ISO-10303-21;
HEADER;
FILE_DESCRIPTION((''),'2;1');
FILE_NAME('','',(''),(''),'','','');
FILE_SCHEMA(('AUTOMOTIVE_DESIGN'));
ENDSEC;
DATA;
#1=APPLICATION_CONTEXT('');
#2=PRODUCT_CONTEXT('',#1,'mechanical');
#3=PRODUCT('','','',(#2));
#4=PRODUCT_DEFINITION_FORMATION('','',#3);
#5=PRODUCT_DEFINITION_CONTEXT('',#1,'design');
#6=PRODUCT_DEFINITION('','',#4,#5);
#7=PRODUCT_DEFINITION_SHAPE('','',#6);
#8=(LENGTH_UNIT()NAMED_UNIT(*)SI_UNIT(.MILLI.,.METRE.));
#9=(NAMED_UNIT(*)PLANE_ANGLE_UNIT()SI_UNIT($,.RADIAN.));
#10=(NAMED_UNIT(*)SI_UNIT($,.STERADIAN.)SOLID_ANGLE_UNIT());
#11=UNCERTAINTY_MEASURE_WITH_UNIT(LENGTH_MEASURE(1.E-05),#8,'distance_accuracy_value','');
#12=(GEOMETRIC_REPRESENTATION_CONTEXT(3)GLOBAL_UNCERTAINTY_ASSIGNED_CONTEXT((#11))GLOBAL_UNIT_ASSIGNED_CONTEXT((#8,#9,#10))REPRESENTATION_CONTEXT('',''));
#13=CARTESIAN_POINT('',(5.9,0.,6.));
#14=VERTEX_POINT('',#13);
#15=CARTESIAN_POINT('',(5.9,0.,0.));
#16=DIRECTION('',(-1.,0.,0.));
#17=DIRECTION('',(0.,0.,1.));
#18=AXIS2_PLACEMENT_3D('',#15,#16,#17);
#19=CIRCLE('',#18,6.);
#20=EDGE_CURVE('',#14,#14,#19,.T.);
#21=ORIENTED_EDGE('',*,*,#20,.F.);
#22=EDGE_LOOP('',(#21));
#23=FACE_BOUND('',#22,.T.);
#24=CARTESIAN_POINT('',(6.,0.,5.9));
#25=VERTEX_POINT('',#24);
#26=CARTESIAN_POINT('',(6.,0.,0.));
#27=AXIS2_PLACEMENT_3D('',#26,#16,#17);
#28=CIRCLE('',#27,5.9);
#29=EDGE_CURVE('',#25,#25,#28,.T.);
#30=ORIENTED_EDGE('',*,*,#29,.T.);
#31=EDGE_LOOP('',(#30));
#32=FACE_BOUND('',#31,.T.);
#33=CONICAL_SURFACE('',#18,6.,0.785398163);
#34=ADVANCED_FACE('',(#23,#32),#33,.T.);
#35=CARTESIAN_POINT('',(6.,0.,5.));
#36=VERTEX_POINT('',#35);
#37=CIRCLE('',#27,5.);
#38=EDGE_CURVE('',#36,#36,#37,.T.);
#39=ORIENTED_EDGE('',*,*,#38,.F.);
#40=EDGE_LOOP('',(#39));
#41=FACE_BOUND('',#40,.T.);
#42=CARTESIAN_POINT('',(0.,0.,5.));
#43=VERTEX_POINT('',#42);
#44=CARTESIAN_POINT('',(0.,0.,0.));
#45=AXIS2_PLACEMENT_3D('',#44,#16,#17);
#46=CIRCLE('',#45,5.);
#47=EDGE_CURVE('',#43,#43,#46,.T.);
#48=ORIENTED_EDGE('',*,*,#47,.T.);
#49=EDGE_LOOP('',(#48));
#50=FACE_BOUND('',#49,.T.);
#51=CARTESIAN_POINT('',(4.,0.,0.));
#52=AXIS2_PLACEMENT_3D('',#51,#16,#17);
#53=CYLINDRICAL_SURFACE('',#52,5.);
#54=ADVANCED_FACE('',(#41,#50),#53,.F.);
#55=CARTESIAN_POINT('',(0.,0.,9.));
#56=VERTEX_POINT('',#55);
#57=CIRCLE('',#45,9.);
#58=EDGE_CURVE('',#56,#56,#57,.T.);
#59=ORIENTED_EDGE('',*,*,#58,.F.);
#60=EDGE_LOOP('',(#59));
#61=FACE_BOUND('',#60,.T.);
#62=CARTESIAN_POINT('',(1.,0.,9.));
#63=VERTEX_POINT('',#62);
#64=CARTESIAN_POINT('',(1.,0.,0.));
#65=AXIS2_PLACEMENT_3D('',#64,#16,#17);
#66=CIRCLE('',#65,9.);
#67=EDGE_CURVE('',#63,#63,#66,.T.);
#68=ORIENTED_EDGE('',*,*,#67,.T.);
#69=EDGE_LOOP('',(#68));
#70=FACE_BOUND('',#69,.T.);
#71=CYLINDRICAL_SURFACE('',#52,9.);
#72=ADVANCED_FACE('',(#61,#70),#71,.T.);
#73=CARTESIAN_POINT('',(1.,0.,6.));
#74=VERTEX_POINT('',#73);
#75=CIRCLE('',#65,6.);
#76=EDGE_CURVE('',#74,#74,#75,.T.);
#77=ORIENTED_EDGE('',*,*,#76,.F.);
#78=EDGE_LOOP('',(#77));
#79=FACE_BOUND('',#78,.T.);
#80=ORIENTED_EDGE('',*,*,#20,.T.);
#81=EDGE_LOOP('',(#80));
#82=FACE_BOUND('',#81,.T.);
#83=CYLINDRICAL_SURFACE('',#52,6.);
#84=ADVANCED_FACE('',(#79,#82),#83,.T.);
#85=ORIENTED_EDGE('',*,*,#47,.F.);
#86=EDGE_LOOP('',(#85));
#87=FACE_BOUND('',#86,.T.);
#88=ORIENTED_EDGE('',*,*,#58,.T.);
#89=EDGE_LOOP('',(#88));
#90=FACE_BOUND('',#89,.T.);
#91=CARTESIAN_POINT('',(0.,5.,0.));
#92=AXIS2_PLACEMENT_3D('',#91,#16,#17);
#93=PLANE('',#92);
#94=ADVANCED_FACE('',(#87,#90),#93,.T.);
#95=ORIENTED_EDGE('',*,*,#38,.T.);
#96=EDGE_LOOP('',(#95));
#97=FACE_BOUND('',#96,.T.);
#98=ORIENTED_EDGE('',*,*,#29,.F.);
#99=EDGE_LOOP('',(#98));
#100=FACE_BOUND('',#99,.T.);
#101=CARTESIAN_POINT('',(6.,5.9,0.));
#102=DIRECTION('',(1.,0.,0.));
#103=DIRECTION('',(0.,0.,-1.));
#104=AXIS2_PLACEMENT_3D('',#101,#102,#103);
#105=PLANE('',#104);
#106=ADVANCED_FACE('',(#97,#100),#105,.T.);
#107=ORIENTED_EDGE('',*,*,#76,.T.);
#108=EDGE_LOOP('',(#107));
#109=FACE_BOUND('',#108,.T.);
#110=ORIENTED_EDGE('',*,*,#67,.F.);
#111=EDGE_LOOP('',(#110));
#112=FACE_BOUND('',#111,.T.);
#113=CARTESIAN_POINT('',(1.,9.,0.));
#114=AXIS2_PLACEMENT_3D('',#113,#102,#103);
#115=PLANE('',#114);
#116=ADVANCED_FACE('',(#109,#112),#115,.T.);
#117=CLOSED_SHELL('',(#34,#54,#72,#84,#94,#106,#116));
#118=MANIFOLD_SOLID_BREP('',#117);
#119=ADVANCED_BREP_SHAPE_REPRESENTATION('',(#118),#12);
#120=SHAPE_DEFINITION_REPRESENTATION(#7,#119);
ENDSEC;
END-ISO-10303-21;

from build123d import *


with BuildPart() as part:
    # 草图1 → 旋转1 (revolve)
    with BuildSketch(Plane(origin=(0, 0, 0), x_dir=(-1, 0, 0), z_dir=(0, 0, -1))):
        Polygon((0, 9), (-1, 9), (-1, 6), (-5.9, 6), (-6, 5.9), (-6, 5), (0, 5), align=None)
    revolve(axis=Axis((4, 0, 0), (-1, 0, 0)))


solid = part.part
